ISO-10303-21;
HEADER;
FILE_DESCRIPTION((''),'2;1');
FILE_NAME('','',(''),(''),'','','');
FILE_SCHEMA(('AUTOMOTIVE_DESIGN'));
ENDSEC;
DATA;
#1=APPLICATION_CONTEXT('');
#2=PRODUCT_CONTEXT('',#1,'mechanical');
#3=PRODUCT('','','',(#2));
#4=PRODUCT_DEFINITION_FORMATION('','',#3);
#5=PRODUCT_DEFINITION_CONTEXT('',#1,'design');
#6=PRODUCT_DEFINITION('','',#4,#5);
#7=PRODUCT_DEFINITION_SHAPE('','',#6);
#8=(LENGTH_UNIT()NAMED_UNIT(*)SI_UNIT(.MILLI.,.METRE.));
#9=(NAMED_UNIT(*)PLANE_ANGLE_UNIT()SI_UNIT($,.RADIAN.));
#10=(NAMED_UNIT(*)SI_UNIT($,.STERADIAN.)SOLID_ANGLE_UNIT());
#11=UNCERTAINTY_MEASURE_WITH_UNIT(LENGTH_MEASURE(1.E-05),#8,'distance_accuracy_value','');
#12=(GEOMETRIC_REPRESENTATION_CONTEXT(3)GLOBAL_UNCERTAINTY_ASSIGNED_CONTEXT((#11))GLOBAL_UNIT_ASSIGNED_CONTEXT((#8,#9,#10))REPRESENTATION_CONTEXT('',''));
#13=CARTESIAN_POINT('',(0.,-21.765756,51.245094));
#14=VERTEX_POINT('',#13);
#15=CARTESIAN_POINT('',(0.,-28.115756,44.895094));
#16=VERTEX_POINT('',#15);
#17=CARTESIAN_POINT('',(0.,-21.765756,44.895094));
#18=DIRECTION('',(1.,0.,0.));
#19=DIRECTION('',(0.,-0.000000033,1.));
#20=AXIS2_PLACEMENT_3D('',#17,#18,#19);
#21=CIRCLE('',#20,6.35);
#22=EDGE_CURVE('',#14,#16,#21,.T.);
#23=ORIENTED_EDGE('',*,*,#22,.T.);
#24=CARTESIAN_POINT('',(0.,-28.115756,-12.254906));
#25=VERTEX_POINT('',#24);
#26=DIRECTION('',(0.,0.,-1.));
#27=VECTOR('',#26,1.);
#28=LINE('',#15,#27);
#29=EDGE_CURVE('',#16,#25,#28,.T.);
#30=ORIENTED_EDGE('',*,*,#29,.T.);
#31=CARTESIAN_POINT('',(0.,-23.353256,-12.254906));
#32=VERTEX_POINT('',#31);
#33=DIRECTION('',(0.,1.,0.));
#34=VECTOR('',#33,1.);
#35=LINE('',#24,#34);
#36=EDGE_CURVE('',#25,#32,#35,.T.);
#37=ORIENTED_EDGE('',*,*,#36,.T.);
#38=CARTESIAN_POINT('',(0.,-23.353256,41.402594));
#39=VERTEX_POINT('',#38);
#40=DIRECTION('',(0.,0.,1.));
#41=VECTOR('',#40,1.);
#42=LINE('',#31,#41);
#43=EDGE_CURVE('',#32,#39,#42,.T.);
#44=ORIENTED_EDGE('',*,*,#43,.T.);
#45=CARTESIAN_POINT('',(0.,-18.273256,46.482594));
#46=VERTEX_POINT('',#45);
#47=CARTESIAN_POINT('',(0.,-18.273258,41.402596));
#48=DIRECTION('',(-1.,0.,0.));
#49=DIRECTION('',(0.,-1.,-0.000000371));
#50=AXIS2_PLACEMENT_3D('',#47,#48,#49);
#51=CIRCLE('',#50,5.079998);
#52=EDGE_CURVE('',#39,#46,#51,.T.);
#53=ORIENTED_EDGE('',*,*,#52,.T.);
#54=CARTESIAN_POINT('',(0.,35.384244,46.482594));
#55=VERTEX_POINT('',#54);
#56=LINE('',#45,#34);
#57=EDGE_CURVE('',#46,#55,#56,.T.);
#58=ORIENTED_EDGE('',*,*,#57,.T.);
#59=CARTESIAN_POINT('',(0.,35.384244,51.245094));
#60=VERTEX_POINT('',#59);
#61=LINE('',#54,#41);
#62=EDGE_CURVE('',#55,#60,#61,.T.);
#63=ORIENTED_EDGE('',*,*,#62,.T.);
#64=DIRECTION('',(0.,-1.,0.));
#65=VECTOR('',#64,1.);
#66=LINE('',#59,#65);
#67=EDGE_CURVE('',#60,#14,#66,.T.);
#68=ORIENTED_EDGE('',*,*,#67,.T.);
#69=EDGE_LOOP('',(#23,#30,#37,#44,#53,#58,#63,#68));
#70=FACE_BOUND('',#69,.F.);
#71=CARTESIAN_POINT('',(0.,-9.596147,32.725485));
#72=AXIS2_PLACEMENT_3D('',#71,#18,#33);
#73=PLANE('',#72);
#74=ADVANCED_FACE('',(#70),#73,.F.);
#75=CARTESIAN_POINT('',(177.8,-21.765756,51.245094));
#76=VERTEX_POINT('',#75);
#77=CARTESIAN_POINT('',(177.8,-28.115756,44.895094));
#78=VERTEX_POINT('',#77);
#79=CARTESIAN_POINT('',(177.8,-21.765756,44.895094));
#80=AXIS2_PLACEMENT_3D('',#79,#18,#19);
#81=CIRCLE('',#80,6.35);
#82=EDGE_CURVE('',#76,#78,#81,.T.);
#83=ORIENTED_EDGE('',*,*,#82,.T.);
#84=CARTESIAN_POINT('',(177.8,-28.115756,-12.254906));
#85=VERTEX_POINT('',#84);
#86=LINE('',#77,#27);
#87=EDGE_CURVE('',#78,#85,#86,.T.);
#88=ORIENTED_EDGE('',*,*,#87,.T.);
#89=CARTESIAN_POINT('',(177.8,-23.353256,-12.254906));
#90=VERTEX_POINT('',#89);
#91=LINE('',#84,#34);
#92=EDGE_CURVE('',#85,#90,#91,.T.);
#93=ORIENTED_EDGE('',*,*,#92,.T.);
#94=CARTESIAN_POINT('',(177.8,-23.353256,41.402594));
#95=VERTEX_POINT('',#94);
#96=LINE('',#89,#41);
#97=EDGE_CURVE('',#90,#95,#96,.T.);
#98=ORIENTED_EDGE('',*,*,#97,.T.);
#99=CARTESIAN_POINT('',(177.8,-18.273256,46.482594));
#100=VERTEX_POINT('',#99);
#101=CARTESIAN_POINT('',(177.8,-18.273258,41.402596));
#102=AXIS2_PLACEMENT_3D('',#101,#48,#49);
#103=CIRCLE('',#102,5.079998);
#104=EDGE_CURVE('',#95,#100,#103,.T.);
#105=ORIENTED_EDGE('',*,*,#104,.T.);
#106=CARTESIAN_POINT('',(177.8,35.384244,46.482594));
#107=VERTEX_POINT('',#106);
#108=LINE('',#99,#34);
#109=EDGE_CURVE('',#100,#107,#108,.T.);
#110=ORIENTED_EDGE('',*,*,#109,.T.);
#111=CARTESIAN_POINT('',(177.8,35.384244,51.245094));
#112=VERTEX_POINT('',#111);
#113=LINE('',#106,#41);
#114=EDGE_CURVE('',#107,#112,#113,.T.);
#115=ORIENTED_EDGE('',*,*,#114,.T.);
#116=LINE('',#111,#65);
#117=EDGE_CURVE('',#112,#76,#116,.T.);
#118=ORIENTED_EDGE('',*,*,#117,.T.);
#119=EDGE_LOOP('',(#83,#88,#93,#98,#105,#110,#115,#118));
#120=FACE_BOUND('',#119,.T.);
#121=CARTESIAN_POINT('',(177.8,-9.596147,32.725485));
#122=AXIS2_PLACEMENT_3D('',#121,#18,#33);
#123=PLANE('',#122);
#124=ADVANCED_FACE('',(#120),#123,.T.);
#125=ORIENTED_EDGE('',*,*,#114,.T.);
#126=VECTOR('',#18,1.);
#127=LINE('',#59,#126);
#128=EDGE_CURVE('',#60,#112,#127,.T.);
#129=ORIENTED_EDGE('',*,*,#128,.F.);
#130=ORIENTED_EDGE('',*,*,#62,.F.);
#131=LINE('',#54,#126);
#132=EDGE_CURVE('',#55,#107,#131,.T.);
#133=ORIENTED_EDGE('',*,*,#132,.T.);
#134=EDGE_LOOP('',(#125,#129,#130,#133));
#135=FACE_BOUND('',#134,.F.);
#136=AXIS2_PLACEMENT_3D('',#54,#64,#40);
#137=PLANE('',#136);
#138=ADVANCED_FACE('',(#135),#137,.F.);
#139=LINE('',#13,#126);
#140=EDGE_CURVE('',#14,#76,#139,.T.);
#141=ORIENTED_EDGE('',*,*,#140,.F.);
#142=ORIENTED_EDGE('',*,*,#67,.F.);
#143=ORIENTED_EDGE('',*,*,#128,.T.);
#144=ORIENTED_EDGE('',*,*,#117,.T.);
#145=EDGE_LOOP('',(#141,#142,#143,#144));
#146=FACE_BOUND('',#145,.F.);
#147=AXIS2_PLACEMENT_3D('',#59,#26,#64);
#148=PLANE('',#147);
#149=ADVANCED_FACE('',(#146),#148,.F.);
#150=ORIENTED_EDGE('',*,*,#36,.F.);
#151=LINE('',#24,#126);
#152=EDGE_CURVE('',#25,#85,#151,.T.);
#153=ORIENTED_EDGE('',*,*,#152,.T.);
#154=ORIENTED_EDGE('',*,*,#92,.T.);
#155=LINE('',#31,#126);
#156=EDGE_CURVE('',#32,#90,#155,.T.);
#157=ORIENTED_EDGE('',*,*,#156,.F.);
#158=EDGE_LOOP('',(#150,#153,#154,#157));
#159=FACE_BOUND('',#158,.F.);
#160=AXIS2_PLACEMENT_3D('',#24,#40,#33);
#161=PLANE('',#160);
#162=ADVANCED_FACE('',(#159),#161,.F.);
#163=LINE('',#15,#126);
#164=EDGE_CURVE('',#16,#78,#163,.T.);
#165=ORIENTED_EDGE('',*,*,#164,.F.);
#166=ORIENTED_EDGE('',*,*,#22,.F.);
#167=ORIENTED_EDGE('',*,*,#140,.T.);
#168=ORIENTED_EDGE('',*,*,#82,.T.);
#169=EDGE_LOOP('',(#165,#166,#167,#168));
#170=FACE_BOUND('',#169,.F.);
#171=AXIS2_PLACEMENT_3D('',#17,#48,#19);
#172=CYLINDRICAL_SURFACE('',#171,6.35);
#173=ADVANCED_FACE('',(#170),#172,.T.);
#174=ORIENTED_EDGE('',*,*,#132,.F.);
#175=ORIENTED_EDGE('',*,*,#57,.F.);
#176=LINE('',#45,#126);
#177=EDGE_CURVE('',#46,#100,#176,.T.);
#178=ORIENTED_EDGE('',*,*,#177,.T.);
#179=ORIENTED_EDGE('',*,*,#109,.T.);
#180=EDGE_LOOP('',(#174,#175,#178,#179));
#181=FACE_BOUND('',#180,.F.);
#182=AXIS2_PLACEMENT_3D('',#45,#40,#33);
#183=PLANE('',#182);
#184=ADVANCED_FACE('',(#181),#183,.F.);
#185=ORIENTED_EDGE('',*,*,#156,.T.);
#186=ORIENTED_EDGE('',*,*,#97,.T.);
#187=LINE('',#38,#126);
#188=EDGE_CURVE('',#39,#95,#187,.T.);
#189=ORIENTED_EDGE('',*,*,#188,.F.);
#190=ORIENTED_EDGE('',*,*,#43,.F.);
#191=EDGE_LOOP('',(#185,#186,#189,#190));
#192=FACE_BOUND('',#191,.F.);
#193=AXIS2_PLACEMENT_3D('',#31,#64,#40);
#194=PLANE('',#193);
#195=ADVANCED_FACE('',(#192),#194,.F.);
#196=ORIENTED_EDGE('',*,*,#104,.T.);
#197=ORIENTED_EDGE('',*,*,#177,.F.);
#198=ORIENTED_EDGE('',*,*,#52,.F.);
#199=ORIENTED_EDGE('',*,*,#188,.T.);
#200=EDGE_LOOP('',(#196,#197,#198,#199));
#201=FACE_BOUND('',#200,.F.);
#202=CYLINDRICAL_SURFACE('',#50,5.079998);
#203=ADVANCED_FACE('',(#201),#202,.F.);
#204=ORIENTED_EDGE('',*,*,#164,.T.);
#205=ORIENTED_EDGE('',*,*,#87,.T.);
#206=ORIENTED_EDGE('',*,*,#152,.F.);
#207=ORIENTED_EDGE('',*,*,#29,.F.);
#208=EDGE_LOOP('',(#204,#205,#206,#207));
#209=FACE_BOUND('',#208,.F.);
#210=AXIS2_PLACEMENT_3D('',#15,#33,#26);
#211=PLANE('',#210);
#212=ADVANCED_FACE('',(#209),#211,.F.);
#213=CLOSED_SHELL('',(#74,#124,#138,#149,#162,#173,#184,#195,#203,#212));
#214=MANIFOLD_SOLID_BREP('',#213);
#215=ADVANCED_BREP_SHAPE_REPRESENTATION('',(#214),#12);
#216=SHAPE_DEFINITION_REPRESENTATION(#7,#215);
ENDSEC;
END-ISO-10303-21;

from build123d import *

# Parameters (mm, degrees)
F1_DEPTH = 177.8


with BuildPart() as f1:
    # F0 (on Right) → F1 (new body)
    with BuildSketch(Plane.YZ):
        with BuildLine():
            Line((-28.115756, 44.895094), (-28.115756, -12.254906))
            Line((-28.115756, -12.254906), (-23.353256, -12.254906))
            Line((-23.353256, -12.254906), (-23.353256, 41.402594))
            ThreePointArc((-23.353256, 41.402594), (-21.865359, 44.994697), (-18.273256, 46.482594))
            Line((-18.273256, 46.482594), (35.384244, 46.482594))
            Line((35.384244, 46.482594), (35.384244, 51.245094))
            Line((35.384244, 51.245094), (-21.765756, 51.245094))
            ThreePointArc((-21.765756, 51.245094), (-26.255884, 49.385222), (-28.115756, 44.895094))
        make_face()
    extrude(amount=F1_DEPTH)


solid = f1.part
